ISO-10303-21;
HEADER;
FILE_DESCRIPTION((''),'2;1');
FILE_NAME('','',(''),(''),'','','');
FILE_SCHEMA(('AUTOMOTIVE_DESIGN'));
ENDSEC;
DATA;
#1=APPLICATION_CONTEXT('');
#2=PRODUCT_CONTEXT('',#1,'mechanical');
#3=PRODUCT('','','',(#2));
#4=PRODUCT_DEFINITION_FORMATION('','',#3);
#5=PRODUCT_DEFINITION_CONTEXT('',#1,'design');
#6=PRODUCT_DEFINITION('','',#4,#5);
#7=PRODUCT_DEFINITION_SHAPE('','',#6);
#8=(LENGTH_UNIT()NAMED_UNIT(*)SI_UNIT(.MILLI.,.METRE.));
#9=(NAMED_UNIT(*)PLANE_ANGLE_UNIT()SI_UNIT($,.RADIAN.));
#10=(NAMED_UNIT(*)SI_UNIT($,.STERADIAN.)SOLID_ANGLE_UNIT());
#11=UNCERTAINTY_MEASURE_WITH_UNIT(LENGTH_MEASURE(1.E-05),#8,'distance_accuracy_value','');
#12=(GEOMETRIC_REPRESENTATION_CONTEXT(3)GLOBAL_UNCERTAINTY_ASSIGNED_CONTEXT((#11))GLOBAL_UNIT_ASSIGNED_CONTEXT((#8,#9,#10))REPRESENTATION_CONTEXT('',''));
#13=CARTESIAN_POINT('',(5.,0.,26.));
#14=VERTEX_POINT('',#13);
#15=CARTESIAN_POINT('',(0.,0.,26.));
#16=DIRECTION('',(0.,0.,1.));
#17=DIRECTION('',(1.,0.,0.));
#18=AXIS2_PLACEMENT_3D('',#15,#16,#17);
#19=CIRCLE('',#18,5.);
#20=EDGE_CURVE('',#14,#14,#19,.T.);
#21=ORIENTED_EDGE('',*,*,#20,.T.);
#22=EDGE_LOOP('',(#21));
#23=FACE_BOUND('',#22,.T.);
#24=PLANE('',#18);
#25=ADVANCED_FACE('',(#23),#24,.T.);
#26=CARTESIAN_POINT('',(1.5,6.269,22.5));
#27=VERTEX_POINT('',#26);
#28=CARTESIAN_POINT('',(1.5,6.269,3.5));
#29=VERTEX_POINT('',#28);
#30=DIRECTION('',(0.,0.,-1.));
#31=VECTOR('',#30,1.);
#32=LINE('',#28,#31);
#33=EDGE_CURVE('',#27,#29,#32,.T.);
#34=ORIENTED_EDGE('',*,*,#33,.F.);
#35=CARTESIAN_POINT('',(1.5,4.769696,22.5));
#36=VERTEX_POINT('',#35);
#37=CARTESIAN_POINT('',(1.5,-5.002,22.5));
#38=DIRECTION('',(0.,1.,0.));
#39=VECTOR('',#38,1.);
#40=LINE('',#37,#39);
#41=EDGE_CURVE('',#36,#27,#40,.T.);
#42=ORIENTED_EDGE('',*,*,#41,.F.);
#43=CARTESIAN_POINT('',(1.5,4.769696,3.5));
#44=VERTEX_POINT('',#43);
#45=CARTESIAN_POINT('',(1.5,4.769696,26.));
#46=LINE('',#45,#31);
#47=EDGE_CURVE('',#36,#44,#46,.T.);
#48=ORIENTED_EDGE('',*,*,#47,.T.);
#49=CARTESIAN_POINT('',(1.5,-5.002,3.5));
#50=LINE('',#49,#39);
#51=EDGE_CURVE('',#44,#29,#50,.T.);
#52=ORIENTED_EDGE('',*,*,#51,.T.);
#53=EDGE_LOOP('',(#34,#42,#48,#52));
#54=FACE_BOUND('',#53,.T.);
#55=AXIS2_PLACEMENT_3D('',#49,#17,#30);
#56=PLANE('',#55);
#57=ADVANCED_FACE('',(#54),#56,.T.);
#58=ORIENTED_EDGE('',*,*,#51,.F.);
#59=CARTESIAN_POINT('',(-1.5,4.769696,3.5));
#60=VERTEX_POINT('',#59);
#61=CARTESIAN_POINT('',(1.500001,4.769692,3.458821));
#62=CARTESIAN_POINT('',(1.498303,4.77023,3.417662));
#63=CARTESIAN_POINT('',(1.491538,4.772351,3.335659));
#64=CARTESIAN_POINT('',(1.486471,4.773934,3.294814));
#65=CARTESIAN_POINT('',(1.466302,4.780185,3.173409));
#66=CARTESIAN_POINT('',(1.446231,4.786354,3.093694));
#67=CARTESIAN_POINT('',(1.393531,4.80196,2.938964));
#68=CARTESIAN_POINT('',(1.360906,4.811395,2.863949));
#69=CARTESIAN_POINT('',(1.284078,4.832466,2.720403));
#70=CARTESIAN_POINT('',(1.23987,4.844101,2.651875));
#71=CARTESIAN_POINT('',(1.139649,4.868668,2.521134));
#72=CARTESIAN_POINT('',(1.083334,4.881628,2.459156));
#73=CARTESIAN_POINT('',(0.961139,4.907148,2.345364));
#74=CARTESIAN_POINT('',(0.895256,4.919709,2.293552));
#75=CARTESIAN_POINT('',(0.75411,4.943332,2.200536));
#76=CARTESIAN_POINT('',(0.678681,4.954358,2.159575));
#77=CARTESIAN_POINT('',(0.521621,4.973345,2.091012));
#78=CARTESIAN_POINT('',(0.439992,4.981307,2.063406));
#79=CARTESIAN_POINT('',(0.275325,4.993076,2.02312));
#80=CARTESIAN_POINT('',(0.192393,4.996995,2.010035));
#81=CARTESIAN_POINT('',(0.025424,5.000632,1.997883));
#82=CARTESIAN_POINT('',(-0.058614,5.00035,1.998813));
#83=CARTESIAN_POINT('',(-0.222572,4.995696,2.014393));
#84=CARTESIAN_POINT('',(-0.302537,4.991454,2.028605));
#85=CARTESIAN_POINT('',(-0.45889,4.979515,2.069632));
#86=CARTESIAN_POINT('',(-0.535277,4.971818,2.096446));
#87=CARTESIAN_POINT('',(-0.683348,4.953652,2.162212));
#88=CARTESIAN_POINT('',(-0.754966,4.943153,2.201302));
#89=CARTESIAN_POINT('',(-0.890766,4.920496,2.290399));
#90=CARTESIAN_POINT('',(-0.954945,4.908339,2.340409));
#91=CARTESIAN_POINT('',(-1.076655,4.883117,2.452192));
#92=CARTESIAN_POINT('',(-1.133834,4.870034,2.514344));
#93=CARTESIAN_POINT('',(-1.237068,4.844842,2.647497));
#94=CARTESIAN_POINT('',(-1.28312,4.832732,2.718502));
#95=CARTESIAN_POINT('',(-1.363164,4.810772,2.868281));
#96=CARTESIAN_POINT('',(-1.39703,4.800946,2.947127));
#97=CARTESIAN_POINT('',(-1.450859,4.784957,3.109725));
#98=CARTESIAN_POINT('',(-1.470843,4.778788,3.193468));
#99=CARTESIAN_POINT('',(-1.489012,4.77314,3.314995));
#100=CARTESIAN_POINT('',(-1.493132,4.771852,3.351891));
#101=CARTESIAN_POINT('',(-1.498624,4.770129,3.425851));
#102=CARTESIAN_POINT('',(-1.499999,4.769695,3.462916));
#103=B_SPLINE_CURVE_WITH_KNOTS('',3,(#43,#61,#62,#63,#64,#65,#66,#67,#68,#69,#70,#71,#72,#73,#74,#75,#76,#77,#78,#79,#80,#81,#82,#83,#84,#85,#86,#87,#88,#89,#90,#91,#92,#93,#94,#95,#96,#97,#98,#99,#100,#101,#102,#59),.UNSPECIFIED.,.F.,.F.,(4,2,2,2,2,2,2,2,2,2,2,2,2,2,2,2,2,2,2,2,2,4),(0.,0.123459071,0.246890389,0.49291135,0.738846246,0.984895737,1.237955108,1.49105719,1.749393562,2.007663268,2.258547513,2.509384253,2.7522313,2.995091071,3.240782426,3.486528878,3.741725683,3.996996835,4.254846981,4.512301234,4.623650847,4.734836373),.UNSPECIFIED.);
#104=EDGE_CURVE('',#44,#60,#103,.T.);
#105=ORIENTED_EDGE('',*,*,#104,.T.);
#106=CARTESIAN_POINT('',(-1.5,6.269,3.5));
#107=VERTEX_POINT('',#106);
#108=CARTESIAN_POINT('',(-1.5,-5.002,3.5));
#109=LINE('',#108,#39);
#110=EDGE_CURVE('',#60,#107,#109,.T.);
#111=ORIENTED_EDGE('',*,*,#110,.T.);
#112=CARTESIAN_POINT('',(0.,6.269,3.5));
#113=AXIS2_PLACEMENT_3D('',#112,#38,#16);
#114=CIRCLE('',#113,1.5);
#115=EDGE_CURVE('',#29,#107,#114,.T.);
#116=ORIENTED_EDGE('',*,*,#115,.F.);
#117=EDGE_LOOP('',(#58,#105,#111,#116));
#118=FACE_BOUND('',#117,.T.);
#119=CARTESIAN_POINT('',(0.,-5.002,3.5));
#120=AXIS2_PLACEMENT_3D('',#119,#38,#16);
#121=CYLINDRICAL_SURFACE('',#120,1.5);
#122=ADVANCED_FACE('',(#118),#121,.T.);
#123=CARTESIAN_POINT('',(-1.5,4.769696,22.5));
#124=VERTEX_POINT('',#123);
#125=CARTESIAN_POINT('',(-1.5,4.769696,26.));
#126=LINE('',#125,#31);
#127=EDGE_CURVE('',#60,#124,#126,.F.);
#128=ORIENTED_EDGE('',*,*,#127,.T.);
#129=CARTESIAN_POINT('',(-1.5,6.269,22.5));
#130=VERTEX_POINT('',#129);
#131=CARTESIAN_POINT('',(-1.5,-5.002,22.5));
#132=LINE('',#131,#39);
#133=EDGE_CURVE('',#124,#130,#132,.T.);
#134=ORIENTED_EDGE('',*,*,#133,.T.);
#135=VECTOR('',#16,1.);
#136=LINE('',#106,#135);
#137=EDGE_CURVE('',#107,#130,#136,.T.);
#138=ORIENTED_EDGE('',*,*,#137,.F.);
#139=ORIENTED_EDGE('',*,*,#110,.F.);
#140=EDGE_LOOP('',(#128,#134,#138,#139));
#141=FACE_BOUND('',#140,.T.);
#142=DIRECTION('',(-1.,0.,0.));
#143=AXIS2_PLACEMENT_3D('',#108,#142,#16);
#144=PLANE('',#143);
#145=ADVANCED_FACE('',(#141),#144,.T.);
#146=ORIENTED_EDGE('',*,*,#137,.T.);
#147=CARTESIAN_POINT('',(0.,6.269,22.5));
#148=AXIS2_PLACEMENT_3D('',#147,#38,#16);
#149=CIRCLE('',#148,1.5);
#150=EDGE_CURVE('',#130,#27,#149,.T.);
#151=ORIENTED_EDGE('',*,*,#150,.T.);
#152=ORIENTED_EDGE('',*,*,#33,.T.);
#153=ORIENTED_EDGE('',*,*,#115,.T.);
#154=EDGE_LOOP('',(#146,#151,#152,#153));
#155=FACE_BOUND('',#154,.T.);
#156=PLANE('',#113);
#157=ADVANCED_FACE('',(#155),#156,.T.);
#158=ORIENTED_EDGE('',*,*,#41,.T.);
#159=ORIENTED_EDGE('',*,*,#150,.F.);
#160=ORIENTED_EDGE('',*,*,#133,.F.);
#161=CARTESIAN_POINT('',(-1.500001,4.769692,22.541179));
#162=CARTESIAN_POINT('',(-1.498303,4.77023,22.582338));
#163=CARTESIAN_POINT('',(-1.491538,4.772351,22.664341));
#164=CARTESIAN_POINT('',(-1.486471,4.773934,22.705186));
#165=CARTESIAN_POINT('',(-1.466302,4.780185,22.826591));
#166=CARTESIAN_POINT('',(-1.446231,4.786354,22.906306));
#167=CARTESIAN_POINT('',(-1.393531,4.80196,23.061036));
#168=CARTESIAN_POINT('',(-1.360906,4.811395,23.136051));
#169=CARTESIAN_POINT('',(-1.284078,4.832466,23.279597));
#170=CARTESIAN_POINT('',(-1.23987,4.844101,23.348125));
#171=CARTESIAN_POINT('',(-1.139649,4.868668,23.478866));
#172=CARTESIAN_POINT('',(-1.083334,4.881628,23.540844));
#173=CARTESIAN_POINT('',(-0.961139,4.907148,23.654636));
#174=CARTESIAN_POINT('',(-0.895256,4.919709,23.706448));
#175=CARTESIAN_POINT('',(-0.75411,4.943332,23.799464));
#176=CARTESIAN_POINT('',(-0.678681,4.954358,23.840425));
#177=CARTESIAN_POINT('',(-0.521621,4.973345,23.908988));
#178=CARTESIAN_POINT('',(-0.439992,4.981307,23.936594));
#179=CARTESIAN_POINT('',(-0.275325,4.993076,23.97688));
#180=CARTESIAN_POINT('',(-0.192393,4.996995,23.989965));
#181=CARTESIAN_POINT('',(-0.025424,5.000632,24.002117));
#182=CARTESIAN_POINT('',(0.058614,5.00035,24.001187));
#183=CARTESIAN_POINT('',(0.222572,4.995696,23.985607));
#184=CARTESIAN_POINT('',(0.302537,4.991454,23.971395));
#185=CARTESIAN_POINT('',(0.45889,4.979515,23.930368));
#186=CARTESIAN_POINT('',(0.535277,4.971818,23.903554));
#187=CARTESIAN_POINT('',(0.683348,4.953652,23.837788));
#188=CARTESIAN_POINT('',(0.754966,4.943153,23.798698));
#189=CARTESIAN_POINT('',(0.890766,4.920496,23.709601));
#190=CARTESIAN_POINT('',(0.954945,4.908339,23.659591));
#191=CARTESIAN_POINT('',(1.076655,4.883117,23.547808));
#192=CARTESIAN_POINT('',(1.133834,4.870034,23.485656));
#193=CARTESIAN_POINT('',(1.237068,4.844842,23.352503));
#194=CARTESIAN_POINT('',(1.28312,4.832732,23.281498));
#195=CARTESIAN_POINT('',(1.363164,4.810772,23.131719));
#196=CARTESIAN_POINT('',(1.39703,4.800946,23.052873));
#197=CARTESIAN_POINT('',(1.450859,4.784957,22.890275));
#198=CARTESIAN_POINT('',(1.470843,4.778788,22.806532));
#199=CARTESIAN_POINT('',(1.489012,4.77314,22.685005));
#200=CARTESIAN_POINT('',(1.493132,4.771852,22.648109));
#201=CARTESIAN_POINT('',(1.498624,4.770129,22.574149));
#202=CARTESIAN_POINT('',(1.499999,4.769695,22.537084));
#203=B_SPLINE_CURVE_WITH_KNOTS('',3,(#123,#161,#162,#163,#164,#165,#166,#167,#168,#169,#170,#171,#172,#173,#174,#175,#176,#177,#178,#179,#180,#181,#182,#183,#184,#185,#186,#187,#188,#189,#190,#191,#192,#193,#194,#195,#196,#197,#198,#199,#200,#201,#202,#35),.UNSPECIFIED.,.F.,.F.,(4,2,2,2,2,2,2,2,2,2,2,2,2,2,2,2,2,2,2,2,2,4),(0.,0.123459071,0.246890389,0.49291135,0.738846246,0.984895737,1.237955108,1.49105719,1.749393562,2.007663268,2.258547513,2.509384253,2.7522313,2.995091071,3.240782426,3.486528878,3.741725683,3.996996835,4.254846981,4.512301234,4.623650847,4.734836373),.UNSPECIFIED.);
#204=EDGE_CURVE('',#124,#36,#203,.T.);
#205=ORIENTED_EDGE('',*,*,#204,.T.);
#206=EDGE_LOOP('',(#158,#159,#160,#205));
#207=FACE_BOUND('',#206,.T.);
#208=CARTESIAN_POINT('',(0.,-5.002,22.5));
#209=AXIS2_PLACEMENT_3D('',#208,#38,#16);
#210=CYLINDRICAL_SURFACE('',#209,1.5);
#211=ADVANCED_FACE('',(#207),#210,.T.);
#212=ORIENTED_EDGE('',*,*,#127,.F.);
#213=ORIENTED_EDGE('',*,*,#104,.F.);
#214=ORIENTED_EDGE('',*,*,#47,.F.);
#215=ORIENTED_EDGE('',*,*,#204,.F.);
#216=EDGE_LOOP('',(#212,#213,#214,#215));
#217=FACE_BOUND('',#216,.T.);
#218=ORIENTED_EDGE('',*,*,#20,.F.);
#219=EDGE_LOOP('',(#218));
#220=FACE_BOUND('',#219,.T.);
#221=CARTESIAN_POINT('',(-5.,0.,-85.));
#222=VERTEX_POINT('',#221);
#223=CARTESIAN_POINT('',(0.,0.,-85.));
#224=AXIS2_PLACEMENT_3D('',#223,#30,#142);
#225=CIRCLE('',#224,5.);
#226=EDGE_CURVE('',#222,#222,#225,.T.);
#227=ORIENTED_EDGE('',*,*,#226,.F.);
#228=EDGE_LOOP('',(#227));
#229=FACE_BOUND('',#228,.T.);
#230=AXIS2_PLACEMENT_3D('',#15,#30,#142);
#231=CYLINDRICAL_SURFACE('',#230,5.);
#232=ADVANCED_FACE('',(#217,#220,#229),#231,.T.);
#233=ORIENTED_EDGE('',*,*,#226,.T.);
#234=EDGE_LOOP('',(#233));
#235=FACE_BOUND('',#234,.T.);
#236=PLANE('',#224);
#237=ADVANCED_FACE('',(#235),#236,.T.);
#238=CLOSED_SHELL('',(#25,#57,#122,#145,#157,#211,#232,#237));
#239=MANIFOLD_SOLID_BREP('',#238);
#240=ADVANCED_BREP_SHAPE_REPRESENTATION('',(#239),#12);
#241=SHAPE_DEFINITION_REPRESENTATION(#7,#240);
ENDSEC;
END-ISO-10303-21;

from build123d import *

# Parameters (mm, degrees)
SKETCH_1_R           = 5
EXTRUDE_1_DEPTH      = 26
EXTRUDE_START        = 85
SKETCH_3_R           = 5
EXTRUDE_3_DEPTH      = 85
EXTRUDE_4_REACH      = 87.889
EXTRUDE_4_END_RADIUS = 5


with BuildPart() as part:
    # 草图1 → 凸台-拉伸1 (new body)
    with BuildSketch(Plane.XY):
        with Locations(Location((0, 0, 0), (0, 0, 180))):
            Circle(SKETCH_1_R)
    extrude(amount=EXTRUDE_1_DEPTH)

    # 草图3 → 凸台-拉伸3 (add)
    with BuildSketch(Plane(origin=(0, 0, 0), x_dir=(-1, 0, 0), z_dir=(0, 0, -1)).offset(EXTRUDE_START)):
        Circle(SKETCH_3_R)
    extrude(amount=-EXTRUDE_3_DEPTH)

    # 凸台-拉伸4: up to this cylinder (the profile starts outside it)
    extrude_4_end = Plane(origin=(0, 0, 13), z_dir=(0, 0, -1)) * Cylinder(EXTRUDE_4_END_RADIUS, 186.778, mode=Mode.PRIVATE)
    # 草图5 → 凸台-拉伸4 (add, up to the surface)
    with BuildSketch(Plane(origin=(0, 6.269, 0), x_dir=(1, 0, 0), z_dir=(0, 1, 0)), mode=Mode.PRIVATE) as extrude_4_sk1:
        with BuildLine():
            Line((1.5, -3.5), (1.5, -22.5))
            ThreePointArc((1.5, -22.5), (0, -24), (-1.5, -22.5))
            Line((-1.5, -22.5), (-1.5, -3.5))
            ThreePointArc((-1.5, -3.5), (0, -2), (1.5, -3.5))
        make_face()
    extrude_4_tool1 = extrude(extrude_4_sk1.sketch, amount=-EXTRUDE_4_REACH, mode=Mode.PRIVATE) - extrude_4_end
    add(extrude_4_tool1.solids().sort_by_distance((0, 6.269, 13))[0])


solid = part.part
